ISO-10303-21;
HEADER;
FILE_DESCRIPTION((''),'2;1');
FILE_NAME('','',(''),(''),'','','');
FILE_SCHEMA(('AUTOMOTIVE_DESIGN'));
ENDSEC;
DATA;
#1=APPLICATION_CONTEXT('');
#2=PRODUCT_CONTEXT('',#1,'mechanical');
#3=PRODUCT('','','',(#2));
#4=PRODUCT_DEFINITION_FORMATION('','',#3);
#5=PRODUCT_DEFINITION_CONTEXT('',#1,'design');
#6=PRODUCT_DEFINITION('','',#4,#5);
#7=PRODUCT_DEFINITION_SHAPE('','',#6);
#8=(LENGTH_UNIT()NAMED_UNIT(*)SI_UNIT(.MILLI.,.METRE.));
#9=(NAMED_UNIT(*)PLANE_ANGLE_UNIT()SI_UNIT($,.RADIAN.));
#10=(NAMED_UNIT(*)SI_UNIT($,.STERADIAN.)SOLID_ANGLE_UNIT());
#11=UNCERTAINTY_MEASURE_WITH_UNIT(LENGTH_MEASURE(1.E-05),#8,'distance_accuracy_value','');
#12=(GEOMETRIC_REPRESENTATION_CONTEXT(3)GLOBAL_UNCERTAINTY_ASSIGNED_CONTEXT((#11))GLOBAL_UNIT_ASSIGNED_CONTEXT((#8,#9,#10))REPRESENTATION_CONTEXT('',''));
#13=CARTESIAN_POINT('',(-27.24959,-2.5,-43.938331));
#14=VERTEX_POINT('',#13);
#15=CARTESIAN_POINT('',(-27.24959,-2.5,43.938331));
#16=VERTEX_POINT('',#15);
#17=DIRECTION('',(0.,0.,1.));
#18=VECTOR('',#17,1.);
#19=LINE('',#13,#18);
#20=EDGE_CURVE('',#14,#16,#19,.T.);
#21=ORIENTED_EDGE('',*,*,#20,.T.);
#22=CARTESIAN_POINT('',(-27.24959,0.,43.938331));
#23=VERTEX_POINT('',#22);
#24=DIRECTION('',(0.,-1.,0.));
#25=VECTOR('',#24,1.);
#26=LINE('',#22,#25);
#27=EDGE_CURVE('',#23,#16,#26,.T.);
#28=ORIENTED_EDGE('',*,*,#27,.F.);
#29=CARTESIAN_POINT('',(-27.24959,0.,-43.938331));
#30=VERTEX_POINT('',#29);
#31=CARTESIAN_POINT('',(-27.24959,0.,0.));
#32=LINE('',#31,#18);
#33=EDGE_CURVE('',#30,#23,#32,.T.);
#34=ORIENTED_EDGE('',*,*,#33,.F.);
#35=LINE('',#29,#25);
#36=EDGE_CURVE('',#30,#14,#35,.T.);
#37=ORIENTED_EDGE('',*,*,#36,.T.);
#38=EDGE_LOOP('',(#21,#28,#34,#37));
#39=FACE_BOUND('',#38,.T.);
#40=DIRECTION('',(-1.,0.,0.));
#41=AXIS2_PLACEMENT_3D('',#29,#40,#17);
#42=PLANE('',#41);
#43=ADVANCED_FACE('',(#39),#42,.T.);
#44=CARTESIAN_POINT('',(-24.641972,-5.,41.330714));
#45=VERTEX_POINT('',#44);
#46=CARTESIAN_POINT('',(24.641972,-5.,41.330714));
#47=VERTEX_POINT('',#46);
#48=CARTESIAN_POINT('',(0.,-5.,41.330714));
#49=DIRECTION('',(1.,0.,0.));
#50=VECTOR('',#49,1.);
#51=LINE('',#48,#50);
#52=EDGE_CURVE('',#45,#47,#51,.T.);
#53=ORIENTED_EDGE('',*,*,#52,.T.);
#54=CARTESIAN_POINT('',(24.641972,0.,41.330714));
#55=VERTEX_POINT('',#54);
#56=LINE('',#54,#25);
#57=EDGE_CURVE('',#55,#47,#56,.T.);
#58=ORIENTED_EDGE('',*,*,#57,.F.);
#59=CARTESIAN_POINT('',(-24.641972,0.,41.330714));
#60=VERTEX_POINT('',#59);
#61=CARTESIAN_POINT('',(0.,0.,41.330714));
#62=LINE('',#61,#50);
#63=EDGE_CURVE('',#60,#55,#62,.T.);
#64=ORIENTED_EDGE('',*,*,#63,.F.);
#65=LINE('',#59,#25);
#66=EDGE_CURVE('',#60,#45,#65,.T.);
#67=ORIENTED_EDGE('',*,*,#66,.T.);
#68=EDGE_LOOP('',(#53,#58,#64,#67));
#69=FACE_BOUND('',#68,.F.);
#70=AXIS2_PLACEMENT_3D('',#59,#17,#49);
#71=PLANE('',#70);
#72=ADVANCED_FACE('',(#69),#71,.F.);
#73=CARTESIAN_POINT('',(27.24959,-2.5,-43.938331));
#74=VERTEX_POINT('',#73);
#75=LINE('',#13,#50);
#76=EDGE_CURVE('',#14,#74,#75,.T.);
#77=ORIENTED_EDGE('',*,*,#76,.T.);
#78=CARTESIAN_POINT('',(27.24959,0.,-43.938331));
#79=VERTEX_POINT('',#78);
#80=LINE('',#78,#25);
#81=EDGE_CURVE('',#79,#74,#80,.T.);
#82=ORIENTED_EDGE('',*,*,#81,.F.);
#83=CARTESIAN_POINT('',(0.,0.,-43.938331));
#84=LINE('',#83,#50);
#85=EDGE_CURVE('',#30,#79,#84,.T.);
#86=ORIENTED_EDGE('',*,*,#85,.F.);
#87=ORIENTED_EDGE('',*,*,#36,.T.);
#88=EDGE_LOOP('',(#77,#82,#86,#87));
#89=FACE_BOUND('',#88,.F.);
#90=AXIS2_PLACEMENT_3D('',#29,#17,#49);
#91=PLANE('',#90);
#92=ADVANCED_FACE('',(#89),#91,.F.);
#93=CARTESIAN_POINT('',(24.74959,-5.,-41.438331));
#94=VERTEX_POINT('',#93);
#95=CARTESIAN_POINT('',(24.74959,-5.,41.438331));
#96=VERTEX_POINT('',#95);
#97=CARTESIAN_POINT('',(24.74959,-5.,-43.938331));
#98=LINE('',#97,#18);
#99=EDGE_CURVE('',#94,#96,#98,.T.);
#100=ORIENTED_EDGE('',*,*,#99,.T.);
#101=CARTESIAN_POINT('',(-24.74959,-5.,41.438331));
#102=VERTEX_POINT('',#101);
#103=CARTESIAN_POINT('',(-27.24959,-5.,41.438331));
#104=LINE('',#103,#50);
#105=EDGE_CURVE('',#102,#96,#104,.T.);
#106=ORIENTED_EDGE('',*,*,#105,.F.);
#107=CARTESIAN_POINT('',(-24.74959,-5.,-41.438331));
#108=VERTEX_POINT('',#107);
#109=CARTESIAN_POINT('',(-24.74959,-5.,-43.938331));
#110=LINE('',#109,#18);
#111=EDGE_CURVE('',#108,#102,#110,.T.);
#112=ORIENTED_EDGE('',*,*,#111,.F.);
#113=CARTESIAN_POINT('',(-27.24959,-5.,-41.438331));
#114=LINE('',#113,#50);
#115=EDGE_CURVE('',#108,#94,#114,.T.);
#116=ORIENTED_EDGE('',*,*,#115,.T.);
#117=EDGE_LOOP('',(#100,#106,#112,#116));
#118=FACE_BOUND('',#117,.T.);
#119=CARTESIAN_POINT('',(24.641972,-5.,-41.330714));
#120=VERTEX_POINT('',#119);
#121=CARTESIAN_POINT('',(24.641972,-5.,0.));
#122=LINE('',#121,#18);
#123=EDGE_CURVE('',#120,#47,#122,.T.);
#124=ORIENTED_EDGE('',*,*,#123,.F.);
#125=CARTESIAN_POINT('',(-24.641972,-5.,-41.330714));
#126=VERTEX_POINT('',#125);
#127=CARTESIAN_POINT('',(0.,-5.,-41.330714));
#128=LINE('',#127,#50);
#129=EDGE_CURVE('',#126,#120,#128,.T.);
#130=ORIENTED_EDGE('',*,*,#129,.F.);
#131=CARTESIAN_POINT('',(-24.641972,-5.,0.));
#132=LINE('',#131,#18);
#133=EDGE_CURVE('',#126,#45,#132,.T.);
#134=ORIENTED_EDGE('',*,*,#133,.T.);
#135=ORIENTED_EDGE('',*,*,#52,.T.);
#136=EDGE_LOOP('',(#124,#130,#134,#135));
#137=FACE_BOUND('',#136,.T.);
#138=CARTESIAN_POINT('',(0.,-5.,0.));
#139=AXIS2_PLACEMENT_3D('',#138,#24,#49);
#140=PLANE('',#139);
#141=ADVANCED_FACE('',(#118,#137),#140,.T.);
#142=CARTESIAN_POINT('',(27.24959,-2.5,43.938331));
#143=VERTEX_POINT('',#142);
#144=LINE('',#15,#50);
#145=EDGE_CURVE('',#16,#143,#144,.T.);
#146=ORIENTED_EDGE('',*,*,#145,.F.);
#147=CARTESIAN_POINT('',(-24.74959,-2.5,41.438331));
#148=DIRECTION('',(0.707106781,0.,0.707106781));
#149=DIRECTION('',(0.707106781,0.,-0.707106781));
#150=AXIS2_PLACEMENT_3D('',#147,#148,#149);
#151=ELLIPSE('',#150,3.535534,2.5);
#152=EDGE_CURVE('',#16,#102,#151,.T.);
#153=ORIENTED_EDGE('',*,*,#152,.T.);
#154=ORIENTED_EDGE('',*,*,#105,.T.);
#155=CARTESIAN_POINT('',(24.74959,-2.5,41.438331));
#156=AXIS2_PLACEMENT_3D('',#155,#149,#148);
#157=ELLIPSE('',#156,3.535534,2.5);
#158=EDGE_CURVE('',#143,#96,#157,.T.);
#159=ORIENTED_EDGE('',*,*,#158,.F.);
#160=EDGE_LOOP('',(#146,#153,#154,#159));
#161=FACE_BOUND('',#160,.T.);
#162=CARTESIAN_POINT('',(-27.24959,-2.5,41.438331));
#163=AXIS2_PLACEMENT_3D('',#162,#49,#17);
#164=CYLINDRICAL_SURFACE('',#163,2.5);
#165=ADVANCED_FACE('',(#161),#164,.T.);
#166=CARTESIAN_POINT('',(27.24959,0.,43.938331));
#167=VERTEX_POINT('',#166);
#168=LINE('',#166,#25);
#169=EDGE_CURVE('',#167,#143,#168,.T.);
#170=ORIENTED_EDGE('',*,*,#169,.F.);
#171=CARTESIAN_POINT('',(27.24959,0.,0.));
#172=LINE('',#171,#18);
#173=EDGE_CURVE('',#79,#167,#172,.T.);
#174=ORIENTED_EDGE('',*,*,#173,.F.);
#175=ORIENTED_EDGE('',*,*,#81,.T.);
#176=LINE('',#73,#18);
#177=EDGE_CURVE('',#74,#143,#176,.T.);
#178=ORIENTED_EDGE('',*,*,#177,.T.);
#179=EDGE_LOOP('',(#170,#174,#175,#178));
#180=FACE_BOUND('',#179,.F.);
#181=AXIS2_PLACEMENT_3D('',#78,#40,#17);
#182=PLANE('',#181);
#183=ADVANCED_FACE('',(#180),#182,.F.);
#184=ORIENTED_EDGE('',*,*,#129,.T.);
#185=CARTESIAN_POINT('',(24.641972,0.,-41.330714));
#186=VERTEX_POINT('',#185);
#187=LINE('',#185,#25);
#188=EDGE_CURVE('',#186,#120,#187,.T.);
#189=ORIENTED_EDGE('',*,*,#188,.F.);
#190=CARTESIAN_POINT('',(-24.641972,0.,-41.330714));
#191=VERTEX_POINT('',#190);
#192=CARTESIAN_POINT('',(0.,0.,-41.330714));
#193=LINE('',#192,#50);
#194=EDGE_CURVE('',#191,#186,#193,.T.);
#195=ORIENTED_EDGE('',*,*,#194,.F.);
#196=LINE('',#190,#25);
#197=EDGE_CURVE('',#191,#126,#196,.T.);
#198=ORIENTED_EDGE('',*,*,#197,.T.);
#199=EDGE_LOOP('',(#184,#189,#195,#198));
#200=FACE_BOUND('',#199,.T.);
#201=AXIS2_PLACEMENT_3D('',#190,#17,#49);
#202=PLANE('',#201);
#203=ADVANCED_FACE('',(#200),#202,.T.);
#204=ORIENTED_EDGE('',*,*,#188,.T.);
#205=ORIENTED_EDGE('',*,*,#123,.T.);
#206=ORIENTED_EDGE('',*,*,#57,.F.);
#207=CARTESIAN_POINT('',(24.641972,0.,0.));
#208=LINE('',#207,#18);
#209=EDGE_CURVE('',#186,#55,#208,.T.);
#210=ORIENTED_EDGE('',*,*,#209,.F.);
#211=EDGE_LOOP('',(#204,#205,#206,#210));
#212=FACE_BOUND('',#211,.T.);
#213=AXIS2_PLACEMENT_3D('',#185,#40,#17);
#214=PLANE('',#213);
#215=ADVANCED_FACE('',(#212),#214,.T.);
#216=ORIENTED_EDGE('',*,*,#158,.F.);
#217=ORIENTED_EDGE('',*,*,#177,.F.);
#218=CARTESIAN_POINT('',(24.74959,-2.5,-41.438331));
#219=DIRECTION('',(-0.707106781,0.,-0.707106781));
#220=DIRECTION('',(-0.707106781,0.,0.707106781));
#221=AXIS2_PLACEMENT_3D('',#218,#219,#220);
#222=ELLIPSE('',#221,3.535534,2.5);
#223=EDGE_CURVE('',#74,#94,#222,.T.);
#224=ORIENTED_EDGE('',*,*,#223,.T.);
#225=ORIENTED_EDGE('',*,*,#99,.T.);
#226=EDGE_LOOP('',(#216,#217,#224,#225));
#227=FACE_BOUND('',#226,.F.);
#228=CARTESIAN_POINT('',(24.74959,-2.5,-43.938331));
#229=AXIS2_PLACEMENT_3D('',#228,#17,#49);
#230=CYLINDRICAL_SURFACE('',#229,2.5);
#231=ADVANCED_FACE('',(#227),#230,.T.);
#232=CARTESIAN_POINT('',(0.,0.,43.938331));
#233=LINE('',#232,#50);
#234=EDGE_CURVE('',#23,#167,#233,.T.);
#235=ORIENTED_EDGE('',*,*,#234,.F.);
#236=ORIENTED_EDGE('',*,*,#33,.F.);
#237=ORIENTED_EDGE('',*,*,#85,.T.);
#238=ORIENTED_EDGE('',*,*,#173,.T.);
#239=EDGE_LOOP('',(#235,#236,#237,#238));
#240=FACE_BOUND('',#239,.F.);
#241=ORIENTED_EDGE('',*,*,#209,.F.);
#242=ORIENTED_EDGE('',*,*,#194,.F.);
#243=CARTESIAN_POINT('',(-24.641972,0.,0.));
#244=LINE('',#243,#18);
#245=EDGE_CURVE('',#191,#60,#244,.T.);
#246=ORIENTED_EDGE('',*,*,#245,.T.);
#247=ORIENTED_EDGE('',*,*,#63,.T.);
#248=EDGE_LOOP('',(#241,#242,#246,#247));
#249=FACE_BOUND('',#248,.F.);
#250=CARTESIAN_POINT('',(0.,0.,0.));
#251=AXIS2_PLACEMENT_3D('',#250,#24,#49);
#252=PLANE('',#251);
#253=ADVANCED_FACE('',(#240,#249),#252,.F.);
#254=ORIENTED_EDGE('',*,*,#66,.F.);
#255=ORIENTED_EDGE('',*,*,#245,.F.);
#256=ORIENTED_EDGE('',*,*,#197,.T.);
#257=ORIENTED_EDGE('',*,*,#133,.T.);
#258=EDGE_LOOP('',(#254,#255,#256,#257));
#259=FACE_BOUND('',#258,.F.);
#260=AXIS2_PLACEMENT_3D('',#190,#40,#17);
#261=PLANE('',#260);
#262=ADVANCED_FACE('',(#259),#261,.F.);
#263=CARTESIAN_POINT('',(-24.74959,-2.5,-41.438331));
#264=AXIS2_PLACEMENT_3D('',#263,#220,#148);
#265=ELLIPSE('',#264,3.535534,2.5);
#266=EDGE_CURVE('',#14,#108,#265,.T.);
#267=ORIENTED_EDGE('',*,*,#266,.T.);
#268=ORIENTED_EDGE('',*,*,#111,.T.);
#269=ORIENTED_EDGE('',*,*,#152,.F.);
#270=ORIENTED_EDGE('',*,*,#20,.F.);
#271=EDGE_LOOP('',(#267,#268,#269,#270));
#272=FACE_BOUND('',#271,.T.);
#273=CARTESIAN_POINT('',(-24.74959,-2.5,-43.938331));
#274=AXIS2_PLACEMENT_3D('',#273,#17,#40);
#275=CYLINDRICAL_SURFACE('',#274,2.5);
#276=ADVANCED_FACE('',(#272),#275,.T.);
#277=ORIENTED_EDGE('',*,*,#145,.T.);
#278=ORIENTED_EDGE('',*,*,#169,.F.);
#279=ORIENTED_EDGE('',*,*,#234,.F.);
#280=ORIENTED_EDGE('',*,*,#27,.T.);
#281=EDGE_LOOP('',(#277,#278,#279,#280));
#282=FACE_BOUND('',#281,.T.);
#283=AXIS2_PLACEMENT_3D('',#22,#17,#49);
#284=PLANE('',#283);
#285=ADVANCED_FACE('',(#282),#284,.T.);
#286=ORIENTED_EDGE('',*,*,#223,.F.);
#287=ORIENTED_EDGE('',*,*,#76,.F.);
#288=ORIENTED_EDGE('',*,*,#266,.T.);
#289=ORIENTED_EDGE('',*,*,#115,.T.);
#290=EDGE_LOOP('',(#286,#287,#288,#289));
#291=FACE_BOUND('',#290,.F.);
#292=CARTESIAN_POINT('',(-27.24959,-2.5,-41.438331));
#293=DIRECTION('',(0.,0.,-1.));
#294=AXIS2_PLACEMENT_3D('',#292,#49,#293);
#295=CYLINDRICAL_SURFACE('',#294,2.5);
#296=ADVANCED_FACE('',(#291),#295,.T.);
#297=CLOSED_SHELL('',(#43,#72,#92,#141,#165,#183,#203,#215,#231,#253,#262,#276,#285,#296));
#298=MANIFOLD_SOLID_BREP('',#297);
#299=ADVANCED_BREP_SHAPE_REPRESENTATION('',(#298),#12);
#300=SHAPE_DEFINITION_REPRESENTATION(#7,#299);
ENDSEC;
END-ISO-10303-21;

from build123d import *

# Parameters (mm, degrees)
F0_W     = 54.49918
F0_H     = 87.876662
F0_W_2   = 49.283944
F0_H_2   = 82.661428
F1_DEPTH = 5
F2_R     = 2.5


with BuildPart() as f1:
    # F0 (on Front) → F1 (new body)
    with BuildSketch(Plane.XZ):
        Rectangle(F0_W, F0_H)
        Rectangle(F0_W_2, F0_H_2, mode=Mode.SUBTRACT)
    extrude(amount=F1_DEPTH)

    # F2
    f2_edges = [f1.edges().sort_by_distance(p)[0] for p in [
        (27.24959, -5, 0),
        (0, -5, 43.938331),
        (-27.24959, -5, 0),
        (0, -5, -43.938331),
    ]]
    fillet(f2_edges, radius=F2_R)


solid = f1.part
